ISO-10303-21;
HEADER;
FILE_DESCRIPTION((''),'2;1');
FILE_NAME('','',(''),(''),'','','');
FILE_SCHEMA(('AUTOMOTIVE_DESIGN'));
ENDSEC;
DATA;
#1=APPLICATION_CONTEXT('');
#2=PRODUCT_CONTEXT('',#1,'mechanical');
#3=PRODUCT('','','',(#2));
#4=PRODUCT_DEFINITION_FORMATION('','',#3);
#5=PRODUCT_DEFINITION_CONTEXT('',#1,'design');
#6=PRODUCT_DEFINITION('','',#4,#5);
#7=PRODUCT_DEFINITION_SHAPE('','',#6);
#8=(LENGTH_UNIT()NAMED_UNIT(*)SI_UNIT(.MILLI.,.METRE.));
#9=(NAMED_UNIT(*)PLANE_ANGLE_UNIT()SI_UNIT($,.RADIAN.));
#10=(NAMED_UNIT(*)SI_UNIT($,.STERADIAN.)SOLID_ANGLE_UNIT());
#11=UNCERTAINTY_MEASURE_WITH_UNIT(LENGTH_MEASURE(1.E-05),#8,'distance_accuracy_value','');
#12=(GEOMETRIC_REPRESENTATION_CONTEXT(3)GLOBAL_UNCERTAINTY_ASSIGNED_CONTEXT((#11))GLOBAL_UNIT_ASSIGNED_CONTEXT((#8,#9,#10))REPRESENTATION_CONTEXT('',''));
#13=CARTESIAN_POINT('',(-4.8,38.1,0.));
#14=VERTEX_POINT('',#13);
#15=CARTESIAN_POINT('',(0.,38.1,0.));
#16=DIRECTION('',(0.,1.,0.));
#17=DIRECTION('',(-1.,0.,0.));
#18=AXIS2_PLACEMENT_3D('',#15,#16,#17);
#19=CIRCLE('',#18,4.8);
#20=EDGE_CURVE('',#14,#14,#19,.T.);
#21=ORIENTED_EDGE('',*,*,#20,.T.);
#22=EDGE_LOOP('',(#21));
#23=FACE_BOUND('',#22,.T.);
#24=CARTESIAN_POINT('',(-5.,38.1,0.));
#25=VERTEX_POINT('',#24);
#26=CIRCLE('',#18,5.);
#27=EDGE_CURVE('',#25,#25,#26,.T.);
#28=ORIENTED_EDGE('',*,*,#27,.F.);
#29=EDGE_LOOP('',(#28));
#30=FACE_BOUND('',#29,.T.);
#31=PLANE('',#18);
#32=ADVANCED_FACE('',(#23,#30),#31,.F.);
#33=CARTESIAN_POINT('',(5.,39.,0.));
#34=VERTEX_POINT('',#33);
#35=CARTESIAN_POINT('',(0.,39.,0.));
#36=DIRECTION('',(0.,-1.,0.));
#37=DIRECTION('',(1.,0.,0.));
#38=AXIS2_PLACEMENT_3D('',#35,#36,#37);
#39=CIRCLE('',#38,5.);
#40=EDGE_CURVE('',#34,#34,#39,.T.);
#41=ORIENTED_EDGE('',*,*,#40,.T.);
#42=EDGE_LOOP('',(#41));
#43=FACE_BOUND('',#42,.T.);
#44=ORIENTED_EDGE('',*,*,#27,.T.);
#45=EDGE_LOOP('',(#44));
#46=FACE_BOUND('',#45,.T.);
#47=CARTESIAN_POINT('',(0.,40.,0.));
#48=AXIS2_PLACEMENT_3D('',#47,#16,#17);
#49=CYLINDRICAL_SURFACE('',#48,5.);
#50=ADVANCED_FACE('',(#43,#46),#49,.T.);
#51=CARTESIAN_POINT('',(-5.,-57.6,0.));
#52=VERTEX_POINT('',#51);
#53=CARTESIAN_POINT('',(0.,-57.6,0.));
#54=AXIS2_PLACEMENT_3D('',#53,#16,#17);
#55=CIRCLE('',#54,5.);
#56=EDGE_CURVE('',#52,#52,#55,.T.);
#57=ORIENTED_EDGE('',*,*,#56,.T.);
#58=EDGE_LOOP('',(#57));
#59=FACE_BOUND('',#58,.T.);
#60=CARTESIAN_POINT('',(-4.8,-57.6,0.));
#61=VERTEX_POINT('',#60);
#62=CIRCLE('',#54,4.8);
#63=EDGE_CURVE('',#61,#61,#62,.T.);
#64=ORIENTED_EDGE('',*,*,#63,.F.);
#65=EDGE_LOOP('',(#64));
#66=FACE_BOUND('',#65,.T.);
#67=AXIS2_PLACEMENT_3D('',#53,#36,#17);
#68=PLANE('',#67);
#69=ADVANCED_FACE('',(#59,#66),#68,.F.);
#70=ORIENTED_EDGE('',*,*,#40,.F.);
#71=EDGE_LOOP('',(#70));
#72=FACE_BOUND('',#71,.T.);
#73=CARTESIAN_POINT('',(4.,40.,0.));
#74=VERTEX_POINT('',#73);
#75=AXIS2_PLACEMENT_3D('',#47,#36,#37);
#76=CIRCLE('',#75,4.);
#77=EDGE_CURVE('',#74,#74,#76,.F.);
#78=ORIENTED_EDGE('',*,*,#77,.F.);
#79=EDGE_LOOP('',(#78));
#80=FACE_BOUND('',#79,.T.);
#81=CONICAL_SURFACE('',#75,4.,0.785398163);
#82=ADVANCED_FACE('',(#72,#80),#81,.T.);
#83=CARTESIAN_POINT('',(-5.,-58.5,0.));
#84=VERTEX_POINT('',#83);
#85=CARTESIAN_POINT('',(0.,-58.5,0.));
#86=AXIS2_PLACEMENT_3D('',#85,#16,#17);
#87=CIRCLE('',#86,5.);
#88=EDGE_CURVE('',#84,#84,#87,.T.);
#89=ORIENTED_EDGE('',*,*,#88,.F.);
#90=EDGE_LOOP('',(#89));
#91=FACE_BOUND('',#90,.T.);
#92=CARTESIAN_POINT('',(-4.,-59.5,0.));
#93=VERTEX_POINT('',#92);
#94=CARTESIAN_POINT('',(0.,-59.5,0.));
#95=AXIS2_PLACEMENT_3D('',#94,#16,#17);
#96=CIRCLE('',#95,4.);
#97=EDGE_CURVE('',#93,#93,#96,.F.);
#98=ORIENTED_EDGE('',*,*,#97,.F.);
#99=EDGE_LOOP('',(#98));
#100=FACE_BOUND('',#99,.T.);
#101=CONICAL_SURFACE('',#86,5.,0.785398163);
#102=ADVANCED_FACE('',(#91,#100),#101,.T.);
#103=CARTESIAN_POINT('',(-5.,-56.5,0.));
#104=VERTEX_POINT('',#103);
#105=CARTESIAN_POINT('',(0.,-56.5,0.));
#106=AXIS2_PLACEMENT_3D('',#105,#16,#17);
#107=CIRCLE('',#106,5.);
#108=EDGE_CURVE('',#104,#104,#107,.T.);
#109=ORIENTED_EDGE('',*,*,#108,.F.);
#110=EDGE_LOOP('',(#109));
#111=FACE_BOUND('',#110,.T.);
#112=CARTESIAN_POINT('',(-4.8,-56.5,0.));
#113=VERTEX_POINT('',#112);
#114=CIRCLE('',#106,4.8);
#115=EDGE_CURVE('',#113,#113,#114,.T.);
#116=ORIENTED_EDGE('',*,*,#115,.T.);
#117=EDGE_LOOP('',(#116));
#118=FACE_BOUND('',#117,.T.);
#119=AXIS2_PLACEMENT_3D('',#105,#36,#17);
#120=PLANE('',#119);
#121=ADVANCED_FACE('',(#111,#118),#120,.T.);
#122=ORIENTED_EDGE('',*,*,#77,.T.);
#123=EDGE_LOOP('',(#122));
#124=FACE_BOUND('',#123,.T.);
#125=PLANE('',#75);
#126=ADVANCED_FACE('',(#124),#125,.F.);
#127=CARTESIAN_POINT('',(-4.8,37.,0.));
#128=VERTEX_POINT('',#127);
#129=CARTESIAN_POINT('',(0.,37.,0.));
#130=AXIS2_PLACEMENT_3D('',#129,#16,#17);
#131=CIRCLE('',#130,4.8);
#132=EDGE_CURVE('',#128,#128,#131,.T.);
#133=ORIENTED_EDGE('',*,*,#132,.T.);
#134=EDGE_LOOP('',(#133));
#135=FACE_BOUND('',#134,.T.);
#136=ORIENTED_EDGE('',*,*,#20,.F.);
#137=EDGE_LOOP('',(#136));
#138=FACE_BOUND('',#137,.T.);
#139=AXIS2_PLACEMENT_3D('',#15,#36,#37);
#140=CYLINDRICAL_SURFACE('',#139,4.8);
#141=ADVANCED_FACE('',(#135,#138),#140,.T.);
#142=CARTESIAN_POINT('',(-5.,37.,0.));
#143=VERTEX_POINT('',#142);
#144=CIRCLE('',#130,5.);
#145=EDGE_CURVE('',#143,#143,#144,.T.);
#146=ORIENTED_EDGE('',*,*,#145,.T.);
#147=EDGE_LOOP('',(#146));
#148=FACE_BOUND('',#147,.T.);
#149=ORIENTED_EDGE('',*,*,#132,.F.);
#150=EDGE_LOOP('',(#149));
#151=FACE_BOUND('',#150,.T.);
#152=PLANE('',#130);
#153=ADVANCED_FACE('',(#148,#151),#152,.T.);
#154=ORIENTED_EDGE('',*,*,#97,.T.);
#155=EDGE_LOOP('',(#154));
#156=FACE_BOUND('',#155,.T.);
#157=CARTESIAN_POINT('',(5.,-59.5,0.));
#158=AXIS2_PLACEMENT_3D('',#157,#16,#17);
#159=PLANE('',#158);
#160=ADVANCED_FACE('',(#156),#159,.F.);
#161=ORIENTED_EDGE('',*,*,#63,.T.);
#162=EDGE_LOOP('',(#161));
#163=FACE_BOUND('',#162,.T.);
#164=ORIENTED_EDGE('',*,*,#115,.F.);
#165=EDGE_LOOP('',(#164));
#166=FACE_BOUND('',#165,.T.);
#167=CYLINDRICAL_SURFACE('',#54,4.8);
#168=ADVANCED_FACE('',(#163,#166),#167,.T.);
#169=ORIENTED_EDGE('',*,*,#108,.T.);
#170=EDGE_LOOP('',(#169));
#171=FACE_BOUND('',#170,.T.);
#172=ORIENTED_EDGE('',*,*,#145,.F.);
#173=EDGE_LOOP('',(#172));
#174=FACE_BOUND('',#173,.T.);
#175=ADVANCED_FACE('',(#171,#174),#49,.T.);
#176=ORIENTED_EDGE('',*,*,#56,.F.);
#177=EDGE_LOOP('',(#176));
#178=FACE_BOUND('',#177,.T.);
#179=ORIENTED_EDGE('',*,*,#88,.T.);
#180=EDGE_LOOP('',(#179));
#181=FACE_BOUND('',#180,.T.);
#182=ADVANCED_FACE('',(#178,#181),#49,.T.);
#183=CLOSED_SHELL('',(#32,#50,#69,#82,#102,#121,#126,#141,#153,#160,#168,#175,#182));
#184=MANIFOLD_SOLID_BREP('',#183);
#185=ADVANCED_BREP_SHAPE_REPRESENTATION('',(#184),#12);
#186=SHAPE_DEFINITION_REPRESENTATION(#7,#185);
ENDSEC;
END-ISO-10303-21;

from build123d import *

# Parameters (mm, degrees)
CHAMFER_1_SIZE      = 1
CUT_EXTRUDE_START   = -3
SKETCH_2_R          = 5
SKETCH_2_R_2        = 4.8
CUT_EXTRUDE_1_DEPTH = 1.1


with BuildPart() as part:
    # 草图1 → 旋转1 (revolve)
    with BuildSketch(Plane.XY, mode=Mode.PRIVATE) as revolve_1_sk:
        Polygon((0, 40), (5, 40), (5, 30), (5, -49.5), (5, -59.5), (0, -59.5), align=None)
    revolve(revolve_1_sk.sketch.rotate(Axis((0, 40, 0), (0, -1, 0)), 180), axis=Axis((0, 40, 0), (0, -1, 0)))

    # 倒角1
    chamfer_1_edges = [part.edges().sort_by_distance(p)[0] for p in [
        (5, -59.5, 0),
        (5, 40, 0),
    ]]
    chamfer(chamfer_1_edges, length=CHAMFER_1_SIZE)

    # 草图2 → 切除-拉伸1 (cut)
    with BuildSketch(Plane(origin=(0, 40, 0), x_dir=(1, 0, 0), z_dir=(0, 1, 0)).offset(CUT_EXTRUDE_START)):
        with Locations(Location((0, 0, 0), (0, 0, 180))):
            Circle(SKETCH_2_R)
        with Locations(Location((0, 0, 0), (0, 0, 180))):
            Circle(SKETCH_2_R_2, mode=Mode.SUBTRACT)
    cut_extrude_1 = extrude(amount=CUT_EXTRUDE_1_DEPTH, mode=Mode.SUBTRACT)

    # 镜向1: 切除-拉伸1 across plane
    add(cut_extrude_1.mirror(Plane.ZX.offset(-9.75)), mode=Mode.SUBTRACT)


solid = part.part
